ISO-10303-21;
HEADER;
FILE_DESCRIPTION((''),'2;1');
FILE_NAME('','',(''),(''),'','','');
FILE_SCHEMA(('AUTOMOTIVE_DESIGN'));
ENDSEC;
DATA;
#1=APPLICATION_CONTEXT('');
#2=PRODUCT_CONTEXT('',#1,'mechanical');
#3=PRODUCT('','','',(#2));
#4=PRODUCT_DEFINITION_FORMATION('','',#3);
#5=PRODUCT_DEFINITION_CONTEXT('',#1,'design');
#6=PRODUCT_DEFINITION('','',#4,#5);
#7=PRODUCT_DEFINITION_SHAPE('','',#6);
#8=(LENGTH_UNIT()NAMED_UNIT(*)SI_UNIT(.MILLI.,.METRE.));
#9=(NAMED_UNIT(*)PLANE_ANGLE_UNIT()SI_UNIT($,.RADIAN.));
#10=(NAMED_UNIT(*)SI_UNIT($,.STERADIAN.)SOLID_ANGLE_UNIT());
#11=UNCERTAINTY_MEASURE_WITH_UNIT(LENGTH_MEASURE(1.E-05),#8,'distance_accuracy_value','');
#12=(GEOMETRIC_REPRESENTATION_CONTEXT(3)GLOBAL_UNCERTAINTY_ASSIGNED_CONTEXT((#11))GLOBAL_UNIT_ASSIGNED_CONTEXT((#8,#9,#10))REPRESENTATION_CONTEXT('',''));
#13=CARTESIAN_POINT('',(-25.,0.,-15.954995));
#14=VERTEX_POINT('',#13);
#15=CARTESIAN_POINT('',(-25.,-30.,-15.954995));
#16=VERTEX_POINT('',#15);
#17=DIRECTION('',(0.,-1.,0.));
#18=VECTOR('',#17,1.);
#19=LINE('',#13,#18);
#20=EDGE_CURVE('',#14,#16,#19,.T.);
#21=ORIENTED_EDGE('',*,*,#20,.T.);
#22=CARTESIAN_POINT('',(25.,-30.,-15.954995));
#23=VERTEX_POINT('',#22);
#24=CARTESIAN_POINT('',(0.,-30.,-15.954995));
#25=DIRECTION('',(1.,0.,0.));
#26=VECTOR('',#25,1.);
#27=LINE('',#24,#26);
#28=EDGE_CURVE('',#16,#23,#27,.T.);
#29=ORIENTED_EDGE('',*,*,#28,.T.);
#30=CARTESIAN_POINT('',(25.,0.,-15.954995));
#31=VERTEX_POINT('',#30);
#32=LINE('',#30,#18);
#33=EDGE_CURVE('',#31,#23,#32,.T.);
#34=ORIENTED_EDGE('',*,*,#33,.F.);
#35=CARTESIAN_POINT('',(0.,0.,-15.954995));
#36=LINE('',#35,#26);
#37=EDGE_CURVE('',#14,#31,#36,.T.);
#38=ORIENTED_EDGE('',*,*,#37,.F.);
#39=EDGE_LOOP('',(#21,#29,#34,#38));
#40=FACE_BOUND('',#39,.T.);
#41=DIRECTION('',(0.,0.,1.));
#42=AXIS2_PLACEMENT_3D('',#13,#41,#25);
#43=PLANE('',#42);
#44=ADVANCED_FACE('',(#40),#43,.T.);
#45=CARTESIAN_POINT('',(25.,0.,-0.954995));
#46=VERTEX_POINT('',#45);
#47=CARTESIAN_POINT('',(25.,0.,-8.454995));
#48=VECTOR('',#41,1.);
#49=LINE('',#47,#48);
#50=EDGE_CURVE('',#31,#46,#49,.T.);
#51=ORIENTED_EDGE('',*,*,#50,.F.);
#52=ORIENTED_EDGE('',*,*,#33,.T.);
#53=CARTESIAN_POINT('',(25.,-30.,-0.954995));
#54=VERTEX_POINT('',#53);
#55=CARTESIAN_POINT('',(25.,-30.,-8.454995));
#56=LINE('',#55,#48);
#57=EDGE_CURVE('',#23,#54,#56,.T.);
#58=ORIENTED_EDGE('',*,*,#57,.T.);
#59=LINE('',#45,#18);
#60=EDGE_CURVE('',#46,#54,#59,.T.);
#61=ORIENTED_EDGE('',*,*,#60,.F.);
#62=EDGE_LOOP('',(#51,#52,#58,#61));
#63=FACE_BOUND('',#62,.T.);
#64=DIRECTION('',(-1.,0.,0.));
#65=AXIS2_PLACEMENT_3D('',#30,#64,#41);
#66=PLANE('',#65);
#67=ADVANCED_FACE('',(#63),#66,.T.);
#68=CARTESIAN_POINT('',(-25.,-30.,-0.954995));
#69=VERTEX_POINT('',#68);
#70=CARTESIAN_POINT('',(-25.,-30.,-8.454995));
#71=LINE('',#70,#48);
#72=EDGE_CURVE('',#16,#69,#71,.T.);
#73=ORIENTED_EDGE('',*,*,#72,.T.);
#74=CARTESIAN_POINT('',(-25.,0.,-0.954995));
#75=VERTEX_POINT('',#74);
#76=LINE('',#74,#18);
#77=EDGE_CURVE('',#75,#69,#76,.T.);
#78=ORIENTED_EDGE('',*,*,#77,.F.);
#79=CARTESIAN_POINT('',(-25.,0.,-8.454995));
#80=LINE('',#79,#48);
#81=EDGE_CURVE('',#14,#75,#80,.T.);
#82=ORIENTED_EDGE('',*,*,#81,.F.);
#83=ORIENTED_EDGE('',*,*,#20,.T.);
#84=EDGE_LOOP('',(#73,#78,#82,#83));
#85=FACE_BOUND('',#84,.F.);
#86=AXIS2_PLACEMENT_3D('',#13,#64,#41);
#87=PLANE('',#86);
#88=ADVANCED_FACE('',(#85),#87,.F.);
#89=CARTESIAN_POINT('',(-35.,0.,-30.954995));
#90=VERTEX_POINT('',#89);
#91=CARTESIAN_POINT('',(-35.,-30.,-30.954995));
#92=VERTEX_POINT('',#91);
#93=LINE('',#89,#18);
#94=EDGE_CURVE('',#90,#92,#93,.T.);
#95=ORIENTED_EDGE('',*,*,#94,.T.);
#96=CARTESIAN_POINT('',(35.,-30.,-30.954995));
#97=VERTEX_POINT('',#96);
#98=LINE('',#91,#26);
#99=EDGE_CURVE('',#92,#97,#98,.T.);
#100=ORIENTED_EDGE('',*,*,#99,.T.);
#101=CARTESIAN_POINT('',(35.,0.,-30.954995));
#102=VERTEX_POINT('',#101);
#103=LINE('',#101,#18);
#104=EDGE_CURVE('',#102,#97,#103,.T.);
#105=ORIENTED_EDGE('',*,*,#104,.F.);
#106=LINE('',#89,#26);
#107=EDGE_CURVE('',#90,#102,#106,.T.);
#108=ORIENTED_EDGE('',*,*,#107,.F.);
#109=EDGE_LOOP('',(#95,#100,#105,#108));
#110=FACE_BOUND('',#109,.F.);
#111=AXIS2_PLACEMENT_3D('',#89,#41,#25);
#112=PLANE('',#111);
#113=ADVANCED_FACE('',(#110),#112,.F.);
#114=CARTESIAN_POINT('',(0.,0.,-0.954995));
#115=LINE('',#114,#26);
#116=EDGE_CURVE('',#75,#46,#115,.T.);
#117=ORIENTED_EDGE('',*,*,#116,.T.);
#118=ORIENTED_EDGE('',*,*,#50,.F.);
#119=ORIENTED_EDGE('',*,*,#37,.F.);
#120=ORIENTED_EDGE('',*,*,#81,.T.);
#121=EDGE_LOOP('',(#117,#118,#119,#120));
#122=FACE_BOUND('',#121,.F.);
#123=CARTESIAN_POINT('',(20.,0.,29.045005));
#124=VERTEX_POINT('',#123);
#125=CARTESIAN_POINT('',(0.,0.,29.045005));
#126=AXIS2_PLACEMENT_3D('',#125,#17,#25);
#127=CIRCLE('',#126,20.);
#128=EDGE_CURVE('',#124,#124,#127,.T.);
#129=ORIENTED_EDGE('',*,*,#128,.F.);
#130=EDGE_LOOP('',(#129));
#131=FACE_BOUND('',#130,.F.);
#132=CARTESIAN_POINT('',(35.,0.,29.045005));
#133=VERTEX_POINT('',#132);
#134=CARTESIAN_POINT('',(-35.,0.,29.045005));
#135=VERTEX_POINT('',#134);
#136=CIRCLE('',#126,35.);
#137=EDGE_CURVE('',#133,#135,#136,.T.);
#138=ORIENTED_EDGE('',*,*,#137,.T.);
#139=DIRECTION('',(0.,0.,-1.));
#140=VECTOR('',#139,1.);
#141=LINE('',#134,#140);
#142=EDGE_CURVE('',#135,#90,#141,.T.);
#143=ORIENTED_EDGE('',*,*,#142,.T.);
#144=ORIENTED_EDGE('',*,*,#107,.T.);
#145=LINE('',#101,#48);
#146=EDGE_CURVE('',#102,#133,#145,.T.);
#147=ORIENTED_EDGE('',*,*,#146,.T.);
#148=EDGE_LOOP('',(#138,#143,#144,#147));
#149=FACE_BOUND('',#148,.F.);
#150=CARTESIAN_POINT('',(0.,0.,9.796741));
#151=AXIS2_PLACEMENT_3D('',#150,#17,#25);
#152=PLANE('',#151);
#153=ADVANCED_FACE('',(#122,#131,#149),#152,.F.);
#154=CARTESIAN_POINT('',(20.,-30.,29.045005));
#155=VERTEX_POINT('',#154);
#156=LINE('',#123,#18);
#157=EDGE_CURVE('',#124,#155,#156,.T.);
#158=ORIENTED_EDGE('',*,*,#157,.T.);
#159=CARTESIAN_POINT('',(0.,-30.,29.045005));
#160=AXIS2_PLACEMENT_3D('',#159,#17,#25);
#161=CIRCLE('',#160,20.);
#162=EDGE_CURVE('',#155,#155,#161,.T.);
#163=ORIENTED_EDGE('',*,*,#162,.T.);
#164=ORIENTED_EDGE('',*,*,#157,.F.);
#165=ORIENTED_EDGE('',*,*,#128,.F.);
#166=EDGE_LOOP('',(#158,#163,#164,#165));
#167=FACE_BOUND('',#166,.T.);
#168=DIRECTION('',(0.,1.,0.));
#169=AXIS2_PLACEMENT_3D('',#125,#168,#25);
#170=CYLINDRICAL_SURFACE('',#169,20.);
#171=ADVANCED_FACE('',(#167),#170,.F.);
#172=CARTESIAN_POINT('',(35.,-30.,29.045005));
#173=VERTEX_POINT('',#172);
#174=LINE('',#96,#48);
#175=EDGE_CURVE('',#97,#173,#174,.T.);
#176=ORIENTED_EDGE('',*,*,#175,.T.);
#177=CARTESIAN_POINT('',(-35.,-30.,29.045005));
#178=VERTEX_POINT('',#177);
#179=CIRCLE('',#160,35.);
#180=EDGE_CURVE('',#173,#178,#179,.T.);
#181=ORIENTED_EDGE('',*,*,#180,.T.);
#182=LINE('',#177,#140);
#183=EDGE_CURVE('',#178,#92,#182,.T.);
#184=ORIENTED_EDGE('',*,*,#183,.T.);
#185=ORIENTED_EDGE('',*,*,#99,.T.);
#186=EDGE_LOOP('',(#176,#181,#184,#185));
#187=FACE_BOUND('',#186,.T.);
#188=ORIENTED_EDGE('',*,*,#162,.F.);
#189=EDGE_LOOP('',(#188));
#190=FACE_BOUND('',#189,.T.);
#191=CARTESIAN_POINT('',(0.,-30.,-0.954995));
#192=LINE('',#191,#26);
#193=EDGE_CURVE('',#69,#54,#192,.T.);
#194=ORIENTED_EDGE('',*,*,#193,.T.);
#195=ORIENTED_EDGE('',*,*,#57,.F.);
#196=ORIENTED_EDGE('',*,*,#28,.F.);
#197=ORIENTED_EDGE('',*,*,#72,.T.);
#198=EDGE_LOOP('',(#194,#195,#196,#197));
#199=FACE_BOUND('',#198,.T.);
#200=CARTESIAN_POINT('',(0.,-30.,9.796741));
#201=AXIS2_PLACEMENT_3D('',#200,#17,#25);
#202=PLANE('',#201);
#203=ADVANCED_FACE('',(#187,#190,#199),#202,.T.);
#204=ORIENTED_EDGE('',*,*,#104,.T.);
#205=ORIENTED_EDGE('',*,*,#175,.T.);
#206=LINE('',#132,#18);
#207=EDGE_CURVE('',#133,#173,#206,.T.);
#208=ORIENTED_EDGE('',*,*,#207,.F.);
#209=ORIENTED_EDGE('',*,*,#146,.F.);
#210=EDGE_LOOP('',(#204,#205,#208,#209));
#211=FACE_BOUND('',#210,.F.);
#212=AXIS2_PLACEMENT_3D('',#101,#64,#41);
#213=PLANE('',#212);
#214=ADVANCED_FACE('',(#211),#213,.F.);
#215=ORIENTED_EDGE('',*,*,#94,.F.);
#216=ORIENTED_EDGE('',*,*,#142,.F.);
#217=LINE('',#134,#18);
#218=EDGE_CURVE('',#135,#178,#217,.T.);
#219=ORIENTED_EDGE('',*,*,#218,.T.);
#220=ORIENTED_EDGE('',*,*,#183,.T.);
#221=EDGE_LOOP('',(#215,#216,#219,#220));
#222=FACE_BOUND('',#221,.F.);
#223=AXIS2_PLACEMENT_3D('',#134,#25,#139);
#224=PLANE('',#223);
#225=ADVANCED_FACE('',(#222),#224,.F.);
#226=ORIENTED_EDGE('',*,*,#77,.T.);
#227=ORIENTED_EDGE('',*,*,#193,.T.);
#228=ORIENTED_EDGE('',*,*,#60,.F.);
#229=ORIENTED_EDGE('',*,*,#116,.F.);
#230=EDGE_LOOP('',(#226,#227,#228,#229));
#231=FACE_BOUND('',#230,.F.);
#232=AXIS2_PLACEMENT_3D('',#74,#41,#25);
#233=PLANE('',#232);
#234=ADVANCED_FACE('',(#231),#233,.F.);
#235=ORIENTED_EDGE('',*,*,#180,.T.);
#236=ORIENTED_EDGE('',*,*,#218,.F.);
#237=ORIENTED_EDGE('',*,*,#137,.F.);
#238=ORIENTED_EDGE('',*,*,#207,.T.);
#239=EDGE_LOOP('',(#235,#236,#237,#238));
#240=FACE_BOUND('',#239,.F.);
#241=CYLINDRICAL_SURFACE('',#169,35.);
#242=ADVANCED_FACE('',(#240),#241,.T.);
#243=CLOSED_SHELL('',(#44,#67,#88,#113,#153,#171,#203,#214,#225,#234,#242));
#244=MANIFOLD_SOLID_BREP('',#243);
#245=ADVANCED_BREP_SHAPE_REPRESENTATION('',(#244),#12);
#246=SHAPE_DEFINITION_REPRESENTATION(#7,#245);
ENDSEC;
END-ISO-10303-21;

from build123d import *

# Parameters (mm, degrees)
F0_W     = 50
F0_H     = 15
F0_R     = 20
F1_DEPTH = 30


with BuildPart() as f1:
    # F0 (on Front) → F1 (new body)
    with BuildSketch(Plane.XZ):
        with BuildLine():
            Line((35, -30.954995), (35, 29.045005))
            ThreePointArc((35, 29.045005), (0, 64.045005), (-35, 29.045005))
            Line((-35, 29.045005), (-35, -30.954995))
            Line((-35, -30.954995), (35, -30.954995))
        make_face()
        with Locations((0, -8.454995)):
            Rectangle(F0_W, F0_H, mode=Mode.SUBTRACT)
        with Locations((0, 29.045005)):
            Circle(F0_R, mode=Mode.SUBTRACT)
    extrude(amount=F1_DEPTH)


solid = f1.part
